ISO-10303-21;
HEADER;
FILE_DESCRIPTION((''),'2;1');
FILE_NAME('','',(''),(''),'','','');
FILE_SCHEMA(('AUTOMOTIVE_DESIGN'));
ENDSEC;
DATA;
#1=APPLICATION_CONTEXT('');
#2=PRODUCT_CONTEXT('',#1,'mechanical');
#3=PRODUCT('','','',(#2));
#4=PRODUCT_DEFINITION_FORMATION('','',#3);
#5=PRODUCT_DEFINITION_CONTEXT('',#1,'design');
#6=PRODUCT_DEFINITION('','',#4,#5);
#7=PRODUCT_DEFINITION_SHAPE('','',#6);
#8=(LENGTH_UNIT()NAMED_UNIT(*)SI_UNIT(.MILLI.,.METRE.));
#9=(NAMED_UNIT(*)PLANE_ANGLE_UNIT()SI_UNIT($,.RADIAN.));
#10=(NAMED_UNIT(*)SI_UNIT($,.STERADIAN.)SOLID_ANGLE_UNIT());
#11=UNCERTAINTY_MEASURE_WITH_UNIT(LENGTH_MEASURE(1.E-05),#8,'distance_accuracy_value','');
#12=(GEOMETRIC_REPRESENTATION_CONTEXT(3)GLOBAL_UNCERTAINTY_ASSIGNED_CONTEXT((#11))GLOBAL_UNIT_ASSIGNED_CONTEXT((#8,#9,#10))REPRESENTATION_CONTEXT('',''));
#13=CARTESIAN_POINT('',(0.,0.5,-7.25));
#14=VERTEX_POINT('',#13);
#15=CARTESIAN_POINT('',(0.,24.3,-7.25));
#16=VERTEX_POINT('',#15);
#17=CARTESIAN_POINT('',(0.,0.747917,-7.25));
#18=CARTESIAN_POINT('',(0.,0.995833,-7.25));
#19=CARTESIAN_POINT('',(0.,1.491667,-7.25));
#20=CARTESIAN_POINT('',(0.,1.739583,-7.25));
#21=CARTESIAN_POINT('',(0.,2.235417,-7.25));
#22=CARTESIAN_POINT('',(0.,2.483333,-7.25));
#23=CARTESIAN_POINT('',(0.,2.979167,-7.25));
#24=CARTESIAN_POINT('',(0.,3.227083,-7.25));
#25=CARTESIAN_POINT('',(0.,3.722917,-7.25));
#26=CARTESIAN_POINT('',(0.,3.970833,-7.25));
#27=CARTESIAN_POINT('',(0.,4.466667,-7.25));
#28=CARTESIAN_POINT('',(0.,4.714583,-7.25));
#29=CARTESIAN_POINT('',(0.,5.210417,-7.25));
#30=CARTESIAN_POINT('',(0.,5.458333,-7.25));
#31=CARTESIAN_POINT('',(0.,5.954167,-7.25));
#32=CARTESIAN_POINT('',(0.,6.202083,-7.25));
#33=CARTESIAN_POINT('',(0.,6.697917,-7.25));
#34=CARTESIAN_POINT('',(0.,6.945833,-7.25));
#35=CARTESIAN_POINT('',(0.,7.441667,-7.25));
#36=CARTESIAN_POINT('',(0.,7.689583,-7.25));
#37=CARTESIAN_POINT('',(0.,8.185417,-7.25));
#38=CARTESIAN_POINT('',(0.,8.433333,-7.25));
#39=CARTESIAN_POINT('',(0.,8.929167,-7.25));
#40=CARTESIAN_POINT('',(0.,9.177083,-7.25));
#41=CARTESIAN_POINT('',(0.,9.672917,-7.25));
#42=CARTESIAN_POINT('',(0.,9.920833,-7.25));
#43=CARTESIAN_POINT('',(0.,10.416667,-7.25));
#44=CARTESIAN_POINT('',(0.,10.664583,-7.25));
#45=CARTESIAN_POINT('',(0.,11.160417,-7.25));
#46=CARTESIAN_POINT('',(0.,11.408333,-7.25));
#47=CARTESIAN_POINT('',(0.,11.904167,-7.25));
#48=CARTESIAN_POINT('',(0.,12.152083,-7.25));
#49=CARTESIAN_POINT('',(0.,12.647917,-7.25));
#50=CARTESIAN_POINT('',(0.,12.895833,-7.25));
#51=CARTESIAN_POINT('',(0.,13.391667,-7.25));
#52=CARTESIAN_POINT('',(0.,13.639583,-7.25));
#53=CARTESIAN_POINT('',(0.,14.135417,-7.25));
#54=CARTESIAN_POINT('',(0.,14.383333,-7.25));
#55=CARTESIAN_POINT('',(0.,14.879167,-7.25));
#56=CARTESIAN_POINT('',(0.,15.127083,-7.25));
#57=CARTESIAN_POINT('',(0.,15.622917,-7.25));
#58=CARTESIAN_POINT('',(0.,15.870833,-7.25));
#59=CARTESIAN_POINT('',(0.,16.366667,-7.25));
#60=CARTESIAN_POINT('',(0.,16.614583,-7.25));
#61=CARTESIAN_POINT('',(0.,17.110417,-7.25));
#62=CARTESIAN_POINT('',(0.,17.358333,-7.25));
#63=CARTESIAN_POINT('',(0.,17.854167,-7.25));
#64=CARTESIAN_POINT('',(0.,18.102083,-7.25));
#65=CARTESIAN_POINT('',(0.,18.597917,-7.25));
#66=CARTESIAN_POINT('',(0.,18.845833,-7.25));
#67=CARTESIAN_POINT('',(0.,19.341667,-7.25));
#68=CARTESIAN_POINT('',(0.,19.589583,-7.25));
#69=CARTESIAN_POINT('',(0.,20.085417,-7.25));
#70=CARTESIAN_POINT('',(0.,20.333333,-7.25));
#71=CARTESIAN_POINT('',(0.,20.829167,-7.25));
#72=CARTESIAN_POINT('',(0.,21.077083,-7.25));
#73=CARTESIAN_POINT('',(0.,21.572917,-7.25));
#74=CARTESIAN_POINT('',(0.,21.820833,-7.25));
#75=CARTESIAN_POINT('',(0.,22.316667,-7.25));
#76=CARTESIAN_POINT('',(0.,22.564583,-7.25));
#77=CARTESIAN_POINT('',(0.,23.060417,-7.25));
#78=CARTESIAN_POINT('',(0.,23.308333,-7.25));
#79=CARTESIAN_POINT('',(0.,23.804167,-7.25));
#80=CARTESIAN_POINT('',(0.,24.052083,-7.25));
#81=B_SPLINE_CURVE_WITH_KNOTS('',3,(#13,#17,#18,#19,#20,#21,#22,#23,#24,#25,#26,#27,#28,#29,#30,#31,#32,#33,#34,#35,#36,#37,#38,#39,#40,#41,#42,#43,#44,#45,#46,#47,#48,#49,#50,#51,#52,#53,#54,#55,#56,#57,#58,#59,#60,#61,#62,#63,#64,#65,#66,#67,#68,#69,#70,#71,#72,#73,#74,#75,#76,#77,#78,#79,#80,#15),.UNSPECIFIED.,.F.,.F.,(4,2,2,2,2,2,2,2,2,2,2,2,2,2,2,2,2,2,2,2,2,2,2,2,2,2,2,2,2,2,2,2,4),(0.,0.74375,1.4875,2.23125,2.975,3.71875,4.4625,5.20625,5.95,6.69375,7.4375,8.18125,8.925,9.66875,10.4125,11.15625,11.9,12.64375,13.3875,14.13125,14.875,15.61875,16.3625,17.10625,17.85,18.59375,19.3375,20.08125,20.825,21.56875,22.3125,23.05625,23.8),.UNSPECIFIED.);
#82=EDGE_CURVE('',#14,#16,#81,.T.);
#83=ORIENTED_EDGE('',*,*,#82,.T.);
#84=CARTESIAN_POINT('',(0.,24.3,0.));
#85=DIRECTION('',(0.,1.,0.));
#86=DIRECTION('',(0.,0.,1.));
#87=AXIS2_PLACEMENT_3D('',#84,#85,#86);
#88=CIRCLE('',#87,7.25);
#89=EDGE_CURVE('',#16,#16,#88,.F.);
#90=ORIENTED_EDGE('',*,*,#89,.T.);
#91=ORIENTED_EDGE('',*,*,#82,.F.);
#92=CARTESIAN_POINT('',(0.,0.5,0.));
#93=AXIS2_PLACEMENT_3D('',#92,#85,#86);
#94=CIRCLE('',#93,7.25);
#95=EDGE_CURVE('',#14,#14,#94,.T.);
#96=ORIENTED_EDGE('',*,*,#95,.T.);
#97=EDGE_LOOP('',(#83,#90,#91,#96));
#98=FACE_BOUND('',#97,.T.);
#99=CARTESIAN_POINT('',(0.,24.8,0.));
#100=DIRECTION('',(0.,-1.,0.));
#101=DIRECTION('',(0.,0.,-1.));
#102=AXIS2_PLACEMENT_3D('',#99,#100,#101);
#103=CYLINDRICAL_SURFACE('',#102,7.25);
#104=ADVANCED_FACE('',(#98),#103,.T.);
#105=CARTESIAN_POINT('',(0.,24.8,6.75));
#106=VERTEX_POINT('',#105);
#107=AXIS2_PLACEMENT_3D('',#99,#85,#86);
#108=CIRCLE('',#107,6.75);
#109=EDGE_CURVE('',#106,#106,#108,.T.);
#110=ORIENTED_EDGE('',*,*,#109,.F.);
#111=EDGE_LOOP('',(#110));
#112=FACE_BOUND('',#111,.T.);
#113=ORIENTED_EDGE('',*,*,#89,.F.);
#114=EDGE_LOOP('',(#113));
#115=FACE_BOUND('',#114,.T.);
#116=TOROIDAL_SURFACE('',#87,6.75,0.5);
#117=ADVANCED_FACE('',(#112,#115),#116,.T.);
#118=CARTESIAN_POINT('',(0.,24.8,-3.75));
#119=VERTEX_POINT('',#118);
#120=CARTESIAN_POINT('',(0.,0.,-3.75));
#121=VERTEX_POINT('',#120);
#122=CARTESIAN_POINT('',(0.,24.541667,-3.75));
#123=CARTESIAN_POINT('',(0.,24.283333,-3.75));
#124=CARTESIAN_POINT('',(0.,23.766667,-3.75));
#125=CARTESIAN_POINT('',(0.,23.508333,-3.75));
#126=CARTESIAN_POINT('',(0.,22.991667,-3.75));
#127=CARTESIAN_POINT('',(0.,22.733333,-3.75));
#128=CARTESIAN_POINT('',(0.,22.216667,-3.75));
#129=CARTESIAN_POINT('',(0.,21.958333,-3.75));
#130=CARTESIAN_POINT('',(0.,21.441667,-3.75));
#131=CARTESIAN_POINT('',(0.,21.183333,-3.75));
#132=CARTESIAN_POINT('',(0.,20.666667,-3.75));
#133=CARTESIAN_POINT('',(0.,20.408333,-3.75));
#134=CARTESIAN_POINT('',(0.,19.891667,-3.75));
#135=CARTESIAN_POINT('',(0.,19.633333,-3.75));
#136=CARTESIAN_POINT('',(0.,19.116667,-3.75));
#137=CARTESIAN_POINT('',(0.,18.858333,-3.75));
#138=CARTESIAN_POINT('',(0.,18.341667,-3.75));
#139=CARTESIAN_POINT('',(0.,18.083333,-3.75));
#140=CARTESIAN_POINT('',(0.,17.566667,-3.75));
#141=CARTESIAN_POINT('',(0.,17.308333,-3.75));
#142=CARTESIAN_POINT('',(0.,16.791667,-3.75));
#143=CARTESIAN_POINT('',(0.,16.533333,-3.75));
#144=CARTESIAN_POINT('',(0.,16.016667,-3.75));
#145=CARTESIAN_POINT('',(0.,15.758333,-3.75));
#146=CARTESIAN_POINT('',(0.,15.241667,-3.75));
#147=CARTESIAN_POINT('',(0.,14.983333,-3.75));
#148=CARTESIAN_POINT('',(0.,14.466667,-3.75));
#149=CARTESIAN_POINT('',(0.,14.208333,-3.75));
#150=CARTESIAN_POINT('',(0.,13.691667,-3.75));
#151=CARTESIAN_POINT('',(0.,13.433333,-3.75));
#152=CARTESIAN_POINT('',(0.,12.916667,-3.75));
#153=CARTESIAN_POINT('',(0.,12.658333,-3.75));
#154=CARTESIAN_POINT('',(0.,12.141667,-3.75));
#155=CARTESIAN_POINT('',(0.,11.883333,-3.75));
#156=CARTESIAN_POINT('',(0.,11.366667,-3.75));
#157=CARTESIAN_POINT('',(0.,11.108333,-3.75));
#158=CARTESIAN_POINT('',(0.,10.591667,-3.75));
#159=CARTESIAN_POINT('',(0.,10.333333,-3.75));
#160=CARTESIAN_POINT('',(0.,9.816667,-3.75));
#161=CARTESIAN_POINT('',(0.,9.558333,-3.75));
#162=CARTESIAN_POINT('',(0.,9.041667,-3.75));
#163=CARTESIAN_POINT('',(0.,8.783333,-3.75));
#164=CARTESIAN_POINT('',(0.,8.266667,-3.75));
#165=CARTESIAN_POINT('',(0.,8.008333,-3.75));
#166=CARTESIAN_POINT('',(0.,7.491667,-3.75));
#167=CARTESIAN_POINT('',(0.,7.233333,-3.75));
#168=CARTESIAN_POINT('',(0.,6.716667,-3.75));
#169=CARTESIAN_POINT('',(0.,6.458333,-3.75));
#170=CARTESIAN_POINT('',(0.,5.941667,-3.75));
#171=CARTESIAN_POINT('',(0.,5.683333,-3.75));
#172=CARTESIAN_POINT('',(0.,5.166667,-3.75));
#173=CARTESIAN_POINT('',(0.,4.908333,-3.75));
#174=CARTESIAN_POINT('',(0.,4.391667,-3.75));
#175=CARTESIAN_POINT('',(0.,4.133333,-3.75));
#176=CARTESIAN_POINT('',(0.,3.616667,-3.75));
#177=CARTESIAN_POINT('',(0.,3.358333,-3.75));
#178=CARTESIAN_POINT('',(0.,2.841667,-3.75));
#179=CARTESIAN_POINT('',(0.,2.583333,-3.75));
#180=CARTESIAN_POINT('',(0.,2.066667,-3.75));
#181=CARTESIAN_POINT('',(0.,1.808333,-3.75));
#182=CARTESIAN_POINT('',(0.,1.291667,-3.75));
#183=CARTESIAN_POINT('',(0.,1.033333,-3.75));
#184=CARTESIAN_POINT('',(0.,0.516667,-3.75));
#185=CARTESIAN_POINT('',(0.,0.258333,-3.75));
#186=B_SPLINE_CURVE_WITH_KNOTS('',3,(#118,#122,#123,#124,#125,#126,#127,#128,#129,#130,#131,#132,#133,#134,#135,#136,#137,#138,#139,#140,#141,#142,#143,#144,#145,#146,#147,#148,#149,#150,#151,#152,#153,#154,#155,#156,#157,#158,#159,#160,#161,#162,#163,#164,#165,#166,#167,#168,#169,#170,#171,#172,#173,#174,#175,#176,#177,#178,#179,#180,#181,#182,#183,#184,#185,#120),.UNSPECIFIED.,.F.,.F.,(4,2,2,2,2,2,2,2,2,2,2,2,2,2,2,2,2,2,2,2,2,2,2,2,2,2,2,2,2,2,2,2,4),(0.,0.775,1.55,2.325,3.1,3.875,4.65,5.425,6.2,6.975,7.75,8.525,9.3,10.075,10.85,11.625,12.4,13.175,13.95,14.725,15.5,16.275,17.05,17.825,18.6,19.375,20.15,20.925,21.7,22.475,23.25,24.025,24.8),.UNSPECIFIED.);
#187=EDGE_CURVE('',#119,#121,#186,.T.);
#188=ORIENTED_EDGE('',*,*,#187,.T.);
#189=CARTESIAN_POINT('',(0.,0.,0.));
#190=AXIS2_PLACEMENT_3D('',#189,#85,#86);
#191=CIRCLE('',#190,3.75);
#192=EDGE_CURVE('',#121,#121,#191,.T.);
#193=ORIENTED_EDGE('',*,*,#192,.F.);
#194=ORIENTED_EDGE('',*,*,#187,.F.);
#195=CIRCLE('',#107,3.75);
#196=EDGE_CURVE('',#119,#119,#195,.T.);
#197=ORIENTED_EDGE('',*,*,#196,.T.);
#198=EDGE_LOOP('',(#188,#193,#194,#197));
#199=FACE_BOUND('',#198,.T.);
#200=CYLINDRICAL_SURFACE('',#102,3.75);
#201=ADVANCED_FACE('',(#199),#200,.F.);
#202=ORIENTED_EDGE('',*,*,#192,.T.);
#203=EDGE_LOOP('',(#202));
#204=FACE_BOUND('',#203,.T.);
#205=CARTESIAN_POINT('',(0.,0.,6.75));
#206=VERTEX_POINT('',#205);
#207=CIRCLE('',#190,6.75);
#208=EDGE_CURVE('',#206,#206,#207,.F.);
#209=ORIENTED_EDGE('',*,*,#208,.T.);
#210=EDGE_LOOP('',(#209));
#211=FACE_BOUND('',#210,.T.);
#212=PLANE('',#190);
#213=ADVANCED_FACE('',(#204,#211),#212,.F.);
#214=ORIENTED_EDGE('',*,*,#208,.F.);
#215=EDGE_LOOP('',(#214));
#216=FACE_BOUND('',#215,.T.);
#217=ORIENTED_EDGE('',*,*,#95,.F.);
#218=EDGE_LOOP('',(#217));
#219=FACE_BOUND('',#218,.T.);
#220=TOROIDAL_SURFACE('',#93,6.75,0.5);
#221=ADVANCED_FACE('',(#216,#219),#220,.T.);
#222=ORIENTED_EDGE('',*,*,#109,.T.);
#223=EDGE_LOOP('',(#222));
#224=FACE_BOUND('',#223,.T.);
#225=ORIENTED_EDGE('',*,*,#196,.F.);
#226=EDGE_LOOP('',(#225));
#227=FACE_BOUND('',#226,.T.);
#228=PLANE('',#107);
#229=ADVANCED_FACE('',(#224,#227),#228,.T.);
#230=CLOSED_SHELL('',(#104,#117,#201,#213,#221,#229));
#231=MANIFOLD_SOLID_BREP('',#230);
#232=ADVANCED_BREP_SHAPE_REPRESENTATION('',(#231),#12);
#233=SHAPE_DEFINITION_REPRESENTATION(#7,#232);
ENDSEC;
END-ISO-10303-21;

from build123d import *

# Parameters (mm, degrees)
SKETCH1_R           = 7.25
SKETCH1_R_2         = 3.75
BOSS_EXTRUDE1_DEPTH = 24.8
FILLET1_R           = 0.5


with BuildPart() as part:
    # Sketch1 → Boss-Extrude1 (new body)
    with BuildSketch(Plane(origin=(0, 0, 0), x_dir=(1, 0, 0), z_dir=(0, 1, 0))):
        with Locations(Location((0, 0, 0), (0, 0, 90))):
            Circle(SKETCH1_R)
        with Locations(Location((0, 0, 0), (0, 0, 90))):
            Circle(SKETCH1_R_2, mode=Mode.SUBTRACT)
    extrude(amount=BOSS_EXTRUDE1_DEPTH)

    # Fillet1
    fillet1_edges = [part.edges().sort_by_distance(p)[0] for p in [
        (0, 0, 7.25),
        (0, 24.8, 7.25),
    ]]
    fillet(fillet1_edges, radius=FILLET1_R)


solid = part.part
